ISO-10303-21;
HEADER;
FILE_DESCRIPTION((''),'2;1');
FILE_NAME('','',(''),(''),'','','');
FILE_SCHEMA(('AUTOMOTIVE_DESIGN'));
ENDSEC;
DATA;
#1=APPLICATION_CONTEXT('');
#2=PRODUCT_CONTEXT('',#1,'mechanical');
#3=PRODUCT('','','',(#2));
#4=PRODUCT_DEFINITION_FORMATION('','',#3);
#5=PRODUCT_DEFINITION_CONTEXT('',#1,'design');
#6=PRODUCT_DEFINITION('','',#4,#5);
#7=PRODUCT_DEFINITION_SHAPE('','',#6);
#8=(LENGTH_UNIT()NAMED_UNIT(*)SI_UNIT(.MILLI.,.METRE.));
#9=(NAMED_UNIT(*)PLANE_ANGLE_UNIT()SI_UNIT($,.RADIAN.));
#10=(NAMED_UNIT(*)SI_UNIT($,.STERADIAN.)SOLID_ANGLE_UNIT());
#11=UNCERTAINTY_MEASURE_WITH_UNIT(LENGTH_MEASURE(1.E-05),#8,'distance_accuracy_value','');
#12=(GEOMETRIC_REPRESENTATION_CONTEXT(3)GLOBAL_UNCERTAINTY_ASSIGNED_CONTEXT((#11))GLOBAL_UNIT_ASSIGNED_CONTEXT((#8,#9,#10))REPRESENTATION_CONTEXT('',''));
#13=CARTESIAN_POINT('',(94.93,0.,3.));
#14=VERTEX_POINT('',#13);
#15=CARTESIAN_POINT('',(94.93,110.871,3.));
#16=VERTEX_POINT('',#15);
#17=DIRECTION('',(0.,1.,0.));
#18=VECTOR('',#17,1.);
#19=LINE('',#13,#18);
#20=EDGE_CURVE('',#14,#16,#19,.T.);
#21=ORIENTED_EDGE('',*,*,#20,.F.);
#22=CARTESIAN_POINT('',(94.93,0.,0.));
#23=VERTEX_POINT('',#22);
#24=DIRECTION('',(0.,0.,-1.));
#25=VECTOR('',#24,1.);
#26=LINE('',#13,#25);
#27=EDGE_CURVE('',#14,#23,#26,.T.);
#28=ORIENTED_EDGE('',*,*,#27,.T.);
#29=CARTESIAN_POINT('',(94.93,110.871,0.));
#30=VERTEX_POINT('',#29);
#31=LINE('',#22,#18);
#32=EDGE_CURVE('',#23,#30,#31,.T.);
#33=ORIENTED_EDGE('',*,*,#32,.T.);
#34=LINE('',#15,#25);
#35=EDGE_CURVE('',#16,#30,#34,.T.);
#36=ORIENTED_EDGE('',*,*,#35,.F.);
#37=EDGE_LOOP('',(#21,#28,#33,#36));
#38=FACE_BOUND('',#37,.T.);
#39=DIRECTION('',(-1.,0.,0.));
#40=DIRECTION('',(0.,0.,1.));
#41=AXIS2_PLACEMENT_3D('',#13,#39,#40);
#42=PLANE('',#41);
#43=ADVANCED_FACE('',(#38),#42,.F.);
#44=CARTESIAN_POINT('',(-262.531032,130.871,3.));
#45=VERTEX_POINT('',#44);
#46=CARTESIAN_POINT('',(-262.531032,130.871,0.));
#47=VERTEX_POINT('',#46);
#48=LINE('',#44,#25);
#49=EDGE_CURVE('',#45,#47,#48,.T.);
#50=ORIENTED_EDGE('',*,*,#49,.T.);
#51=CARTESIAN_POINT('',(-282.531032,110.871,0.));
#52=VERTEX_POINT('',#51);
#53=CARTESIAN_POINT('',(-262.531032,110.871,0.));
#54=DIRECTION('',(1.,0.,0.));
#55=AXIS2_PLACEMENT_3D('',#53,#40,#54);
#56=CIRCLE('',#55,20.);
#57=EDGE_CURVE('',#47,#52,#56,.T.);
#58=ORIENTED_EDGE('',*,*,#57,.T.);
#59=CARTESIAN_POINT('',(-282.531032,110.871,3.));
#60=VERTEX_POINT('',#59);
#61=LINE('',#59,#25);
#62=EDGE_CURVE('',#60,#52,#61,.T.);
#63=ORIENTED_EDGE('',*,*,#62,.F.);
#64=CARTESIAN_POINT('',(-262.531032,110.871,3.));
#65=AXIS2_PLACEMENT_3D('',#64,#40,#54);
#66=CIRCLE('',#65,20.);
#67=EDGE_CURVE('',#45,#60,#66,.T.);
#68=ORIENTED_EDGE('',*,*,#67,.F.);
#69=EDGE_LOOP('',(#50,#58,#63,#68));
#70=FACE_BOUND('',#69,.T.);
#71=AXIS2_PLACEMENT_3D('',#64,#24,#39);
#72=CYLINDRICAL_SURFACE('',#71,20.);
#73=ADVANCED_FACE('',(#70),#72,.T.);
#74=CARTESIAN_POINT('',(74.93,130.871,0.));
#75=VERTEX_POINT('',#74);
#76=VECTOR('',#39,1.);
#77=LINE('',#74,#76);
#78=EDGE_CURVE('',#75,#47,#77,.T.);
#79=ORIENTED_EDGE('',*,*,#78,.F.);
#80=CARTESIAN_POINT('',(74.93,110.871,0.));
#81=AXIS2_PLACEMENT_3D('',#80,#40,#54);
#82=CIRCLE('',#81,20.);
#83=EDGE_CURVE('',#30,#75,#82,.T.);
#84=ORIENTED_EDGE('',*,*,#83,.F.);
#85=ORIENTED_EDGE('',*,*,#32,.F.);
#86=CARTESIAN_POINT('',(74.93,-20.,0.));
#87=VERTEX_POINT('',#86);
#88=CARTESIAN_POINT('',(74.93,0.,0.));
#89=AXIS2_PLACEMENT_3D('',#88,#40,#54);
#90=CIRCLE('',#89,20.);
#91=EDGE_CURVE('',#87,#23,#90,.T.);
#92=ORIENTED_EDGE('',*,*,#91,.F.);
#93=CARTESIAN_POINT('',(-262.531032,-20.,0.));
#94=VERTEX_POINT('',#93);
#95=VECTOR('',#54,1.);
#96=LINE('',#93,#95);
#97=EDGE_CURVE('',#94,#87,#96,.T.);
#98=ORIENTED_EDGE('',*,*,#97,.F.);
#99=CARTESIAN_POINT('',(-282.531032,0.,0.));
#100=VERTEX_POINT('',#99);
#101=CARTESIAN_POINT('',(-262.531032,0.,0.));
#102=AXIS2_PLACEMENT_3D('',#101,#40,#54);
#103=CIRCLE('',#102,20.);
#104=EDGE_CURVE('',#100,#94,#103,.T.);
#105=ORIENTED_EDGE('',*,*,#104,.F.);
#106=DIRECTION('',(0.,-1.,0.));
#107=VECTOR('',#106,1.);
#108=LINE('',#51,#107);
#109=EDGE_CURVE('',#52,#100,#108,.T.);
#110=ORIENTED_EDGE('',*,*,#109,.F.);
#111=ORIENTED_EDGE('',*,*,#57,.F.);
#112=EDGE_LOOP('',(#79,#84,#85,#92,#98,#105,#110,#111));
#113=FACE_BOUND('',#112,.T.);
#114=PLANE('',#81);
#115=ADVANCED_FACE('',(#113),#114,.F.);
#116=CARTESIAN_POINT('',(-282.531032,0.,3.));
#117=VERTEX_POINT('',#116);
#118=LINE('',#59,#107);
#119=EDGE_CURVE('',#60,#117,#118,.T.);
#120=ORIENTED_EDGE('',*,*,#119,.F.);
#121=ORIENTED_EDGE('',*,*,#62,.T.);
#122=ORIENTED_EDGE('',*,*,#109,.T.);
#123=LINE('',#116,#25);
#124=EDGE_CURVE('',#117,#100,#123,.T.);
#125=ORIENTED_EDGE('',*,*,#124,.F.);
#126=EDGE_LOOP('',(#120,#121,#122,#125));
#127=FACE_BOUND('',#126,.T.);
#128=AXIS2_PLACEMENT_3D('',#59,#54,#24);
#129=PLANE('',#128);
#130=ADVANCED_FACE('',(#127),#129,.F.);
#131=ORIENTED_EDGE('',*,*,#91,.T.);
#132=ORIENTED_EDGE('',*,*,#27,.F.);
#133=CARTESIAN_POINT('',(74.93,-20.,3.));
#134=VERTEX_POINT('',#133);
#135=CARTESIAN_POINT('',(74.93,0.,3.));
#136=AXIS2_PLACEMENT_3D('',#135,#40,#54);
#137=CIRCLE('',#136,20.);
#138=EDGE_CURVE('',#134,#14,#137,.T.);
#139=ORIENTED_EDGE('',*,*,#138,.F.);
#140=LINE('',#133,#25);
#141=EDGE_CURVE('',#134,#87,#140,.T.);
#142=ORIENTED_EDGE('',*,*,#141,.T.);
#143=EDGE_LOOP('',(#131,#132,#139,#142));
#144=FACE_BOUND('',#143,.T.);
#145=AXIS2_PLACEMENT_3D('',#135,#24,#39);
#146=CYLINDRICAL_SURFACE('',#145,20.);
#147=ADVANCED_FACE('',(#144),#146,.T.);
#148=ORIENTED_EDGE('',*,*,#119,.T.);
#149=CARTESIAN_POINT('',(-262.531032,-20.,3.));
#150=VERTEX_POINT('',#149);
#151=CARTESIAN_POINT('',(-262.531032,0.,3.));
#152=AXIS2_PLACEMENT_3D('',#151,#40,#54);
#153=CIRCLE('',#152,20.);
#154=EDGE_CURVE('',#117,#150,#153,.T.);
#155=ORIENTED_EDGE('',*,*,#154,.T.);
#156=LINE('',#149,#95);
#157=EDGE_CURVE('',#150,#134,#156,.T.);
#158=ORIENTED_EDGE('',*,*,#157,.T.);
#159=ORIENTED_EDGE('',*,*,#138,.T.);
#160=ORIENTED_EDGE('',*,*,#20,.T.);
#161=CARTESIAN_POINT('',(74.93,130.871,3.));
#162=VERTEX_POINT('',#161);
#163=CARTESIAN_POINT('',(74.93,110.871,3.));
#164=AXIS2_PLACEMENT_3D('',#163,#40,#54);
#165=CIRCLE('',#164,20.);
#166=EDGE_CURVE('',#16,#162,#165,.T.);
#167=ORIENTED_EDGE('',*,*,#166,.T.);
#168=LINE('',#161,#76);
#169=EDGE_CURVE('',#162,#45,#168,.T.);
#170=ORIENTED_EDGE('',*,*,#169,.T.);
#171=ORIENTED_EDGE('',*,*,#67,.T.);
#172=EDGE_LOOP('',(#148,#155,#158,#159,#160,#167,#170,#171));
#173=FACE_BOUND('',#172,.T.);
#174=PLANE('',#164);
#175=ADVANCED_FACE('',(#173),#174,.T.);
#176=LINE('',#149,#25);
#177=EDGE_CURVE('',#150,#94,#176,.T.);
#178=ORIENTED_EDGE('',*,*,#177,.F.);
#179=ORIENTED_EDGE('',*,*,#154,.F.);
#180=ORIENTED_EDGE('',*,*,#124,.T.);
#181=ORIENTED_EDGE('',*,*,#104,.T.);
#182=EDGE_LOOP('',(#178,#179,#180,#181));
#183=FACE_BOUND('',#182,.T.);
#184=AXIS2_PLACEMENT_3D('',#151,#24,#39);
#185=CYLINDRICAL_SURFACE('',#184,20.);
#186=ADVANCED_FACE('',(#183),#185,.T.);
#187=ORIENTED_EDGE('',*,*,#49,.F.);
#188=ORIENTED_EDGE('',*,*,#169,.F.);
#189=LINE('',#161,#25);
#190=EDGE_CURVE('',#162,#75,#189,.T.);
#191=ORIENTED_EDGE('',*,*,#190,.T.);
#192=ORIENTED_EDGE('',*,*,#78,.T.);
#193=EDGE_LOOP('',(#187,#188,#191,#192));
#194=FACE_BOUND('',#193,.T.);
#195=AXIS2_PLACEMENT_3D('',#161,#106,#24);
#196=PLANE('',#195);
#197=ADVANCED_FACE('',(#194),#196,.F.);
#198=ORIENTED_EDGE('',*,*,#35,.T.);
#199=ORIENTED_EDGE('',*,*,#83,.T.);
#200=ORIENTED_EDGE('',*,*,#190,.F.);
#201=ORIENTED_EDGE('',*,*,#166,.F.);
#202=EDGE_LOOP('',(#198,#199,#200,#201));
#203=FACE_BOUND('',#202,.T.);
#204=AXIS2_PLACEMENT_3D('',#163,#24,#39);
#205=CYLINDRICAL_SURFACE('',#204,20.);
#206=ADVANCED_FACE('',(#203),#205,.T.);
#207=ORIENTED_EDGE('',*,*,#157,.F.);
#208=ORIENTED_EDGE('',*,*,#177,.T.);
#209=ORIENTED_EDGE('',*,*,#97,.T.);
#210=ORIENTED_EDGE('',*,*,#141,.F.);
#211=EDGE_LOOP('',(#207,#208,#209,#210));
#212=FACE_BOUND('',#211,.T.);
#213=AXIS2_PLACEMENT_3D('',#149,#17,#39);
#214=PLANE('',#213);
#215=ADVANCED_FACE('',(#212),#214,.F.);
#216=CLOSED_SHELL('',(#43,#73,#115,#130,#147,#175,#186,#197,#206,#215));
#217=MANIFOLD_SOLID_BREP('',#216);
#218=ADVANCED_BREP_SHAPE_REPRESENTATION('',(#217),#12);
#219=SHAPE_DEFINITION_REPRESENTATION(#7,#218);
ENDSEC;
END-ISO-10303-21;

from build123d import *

# Parameters (mm, degrees)
SALIENTE_EXTRUIR1_DEPTH = 3


with BuildPart() as part:
    # Croquis1 → Saliente-Extruir1 (new body)
    with BuildSketch(Plane.XY):
        with BuildLine():
            Line((94.93, 0), (94.93, 110.871))
            ThreePointArc((94.93, 110.871), (89.072135624, 125.013135624), (74.93, 130.871))
            Line((74.93, 130.871), (-262.531032337, 130.871))
            ThreePointArc((-262.531032337, 130.871), (-276.673167961, 125.013135624), (-282.531032337, 110.871))
            Line((-282.531032337, 110.871), (-282.531032337, 0))
            ThreePointArc((-282.531032337, 0), (-276.673167961, -14.142135624), (-262.531032337, -20))
            Line((-262.531032337, -20), (74.93, -20))
            ThreePointArc((74.93, -20), (89.072135624, -14.142135624), (94.93, 0))
        make_face()
    extrude(amount=SALIENTE_EXTRUIR1_DEPTH)


solid = part.part
